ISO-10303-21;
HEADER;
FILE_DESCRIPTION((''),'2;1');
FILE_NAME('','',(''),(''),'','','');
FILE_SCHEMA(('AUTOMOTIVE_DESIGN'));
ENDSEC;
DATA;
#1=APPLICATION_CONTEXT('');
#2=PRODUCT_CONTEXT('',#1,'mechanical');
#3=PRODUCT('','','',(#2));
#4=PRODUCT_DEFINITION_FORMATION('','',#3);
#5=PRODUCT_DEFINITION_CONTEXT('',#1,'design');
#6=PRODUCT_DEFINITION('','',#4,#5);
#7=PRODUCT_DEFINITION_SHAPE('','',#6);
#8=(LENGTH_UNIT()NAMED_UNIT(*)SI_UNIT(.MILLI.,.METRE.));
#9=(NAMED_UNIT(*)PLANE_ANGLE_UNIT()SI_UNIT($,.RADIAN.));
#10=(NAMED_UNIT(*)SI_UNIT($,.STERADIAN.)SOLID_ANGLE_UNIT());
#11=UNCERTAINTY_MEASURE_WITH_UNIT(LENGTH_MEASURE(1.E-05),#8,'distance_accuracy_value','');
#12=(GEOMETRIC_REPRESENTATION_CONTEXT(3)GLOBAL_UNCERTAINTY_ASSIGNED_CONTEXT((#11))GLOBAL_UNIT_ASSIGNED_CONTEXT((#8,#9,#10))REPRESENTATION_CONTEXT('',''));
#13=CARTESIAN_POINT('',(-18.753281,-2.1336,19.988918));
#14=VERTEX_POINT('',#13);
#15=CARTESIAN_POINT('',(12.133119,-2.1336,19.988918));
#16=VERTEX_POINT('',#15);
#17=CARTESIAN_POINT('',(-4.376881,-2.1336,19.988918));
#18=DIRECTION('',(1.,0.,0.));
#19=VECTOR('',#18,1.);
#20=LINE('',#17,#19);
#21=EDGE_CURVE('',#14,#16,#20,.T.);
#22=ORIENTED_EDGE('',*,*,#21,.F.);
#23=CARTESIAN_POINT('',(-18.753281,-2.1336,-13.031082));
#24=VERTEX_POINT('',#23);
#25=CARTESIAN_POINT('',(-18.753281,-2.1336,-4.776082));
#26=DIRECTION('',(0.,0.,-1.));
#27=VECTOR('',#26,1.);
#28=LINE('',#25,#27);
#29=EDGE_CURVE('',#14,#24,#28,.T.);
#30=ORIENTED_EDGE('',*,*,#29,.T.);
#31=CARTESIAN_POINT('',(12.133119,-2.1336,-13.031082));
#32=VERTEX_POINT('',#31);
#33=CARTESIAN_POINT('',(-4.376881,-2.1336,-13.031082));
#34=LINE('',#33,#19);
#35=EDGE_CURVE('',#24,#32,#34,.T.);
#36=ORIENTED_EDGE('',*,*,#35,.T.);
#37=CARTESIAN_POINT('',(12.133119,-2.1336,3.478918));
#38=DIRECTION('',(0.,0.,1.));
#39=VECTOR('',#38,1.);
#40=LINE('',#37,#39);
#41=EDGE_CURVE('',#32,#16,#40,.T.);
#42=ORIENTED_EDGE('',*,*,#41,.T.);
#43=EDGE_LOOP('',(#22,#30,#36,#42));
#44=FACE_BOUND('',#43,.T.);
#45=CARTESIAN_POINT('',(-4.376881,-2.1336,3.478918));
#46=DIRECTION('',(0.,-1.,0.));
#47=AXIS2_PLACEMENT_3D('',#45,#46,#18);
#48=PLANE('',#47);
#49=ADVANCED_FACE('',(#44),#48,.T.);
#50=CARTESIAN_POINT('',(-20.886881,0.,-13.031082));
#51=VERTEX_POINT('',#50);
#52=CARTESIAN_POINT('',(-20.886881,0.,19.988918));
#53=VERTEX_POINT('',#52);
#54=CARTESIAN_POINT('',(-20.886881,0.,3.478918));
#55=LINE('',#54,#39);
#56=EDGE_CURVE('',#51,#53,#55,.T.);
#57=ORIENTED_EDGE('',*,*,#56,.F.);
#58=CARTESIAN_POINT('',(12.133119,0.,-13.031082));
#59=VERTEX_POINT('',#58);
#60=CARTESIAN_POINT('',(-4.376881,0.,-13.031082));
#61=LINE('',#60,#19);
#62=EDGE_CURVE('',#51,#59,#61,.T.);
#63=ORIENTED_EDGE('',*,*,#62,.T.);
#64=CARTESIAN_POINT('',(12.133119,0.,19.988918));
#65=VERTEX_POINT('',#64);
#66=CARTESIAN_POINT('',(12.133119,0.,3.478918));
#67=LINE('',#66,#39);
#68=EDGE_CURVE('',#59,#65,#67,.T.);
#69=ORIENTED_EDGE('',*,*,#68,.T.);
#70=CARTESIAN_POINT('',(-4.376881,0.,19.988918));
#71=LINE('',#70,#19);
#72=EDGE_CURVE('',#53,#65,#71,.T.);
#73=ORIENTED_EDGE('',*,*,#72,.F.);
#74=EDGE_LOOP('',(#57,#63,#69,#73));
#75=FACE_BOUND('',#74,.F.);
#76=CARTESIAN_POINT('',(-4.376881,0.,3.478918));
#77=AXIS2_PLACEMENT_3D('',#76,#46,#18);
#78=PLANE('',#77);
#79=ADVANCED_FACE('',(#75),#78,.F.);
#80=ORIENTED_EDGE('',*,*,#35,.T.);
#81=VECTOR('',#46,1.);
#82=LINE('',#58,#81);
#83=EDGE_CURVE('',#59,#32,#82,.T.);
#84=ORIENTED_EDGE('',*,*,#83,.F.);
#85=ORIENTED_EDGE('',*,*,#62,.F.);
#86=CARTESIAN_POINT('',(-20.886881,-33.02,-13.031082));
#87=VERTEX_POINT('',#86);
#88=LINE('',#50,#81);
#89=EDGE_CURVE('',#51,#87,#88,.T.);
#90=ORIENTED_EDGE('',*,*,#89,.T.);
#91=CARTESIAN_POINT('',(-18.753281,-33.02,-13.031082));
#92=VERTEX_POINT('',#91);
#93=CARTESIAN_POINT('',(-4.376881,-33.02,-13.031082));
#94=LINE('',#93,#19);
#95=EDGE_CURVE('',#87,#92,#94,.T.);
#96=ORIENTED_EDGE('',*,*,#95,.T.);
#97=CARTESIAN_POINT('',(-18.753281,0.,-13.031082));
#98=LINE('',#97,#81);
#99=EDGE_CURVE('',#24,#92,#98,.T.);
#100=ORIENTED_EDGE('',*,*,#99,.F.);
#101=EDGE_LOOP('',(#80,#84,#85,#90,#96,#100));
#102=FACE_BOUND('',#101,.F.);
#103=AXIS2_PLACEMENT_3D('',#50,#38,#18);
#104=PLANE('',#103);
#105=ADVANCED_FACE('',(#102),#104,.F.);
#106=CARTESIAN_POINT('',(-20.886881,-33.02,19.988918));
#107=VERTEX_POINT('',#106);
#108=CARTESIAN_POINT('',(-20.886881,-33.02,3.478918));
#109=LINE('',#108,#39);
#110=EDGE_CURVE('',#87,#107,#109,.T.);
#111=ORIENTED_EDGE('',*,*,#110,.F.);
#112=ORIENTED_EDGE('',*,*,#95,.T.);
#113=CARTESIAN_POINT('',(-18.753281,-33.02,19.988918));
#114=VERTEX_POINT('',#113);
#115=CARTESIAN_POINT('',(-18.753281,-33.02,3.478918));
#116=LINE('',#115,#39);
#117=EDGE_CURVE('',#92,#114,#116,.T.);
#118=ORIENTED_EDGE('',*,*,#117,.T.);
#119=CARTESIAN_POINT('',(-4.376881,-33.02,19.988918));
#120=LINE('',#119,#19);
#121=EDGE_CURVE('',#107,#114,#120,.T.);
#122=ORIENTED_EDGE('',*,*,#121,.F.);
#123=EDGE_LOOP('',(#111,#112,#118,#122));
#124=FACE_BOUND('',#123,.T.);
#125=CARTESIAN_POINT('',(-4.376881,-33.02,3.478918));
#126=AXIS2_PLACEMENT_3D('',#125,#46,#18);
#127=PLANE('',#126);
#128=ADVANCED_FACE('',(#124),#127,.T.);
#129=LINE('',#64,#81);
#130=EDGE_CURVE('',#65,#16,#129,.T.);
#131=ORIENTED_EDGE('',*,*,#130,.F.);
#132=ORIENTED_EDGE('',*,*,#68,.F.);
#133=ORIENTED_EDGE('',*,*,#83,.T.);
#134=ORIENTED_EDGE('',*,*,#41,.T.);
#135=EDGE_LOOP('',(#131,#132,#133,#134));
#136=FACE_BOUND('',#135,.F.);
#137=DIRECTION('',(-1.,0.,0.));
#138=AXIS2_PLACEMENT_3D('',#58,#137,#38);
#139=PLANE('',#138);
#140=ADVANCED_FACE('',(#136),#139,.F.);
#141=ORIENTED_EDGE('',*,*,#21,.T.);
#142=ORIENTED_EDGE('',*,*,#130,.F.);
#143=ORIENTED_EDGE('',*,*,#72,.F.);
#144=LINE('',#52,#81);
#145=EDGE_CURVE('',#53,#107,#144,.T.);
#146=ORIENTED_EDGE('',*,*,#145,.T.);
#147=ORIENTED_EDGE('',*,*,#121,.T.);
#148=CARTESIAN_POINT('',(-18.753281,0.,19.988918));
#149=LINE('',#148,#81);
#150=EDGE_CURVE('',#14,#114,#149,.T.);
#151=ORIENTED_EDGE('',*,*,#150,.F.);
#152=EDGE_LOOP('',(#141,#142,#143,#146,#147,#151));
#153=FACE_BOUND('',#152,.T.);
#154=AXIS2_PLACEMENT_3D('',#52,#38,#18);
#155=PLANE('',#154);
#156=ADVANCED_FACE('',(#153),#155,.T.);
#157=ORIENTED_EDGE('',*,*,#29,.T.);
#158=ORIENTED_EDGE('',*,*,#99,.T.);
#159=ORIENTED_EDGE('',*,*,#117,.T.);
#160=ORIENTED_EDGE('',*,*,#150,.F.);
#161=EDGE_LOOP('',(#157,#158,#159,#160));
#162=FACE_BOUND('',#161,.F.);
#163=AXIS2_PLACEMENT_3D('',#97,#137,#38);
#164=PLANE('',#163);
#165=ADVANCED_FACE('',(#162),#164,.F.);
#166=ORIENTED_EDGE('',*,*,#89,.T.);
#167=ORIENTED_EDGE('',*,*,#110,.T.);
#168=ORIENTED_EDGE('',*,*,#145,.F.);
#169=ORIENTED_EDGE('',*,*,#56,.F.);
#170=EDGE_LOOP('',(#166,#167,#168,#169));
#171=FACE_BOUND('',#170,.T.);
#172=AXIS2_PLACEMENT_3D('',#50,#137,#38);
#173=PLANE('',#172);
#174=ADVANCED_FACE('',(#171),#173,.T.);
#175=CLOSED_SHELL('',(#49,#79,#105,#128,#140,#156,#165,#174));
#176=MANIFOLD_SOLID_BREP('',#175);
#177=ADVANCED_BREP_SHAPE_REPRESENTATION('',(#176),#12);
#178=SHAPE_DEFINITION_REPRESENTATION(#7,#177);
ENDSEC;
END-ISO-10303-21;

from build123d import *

# Parameters (mm, degrees)
F0_W     = 33.02
F0_H     = 33.02
F1_DEPTH = 33.02
F2_T     = -2.1336


with BuildPart() as f1:
    # F0 (on Front) → F1 (new body)
    with BuildSketch(Plane.XZ):
        with Locations((-4.376881, 3.478918)):
            Rectangle(F0_W, F0_H)
    extrude(amount=F1_DEPTH)

    # F2
    f2_openings = [f1.faces().sort_by_distance(p)[0] for p in [
        (-4.376881, -16.51, -13.031082),
        (12.133119, -16.51, 3.478918),
        (-4.376881, -33.02, 3.478918),
        (-4.376881, -16.51, 19.988918),
    ]]
    offset(amount=F2_T, openings=f2_openings)


solid = f1.part
